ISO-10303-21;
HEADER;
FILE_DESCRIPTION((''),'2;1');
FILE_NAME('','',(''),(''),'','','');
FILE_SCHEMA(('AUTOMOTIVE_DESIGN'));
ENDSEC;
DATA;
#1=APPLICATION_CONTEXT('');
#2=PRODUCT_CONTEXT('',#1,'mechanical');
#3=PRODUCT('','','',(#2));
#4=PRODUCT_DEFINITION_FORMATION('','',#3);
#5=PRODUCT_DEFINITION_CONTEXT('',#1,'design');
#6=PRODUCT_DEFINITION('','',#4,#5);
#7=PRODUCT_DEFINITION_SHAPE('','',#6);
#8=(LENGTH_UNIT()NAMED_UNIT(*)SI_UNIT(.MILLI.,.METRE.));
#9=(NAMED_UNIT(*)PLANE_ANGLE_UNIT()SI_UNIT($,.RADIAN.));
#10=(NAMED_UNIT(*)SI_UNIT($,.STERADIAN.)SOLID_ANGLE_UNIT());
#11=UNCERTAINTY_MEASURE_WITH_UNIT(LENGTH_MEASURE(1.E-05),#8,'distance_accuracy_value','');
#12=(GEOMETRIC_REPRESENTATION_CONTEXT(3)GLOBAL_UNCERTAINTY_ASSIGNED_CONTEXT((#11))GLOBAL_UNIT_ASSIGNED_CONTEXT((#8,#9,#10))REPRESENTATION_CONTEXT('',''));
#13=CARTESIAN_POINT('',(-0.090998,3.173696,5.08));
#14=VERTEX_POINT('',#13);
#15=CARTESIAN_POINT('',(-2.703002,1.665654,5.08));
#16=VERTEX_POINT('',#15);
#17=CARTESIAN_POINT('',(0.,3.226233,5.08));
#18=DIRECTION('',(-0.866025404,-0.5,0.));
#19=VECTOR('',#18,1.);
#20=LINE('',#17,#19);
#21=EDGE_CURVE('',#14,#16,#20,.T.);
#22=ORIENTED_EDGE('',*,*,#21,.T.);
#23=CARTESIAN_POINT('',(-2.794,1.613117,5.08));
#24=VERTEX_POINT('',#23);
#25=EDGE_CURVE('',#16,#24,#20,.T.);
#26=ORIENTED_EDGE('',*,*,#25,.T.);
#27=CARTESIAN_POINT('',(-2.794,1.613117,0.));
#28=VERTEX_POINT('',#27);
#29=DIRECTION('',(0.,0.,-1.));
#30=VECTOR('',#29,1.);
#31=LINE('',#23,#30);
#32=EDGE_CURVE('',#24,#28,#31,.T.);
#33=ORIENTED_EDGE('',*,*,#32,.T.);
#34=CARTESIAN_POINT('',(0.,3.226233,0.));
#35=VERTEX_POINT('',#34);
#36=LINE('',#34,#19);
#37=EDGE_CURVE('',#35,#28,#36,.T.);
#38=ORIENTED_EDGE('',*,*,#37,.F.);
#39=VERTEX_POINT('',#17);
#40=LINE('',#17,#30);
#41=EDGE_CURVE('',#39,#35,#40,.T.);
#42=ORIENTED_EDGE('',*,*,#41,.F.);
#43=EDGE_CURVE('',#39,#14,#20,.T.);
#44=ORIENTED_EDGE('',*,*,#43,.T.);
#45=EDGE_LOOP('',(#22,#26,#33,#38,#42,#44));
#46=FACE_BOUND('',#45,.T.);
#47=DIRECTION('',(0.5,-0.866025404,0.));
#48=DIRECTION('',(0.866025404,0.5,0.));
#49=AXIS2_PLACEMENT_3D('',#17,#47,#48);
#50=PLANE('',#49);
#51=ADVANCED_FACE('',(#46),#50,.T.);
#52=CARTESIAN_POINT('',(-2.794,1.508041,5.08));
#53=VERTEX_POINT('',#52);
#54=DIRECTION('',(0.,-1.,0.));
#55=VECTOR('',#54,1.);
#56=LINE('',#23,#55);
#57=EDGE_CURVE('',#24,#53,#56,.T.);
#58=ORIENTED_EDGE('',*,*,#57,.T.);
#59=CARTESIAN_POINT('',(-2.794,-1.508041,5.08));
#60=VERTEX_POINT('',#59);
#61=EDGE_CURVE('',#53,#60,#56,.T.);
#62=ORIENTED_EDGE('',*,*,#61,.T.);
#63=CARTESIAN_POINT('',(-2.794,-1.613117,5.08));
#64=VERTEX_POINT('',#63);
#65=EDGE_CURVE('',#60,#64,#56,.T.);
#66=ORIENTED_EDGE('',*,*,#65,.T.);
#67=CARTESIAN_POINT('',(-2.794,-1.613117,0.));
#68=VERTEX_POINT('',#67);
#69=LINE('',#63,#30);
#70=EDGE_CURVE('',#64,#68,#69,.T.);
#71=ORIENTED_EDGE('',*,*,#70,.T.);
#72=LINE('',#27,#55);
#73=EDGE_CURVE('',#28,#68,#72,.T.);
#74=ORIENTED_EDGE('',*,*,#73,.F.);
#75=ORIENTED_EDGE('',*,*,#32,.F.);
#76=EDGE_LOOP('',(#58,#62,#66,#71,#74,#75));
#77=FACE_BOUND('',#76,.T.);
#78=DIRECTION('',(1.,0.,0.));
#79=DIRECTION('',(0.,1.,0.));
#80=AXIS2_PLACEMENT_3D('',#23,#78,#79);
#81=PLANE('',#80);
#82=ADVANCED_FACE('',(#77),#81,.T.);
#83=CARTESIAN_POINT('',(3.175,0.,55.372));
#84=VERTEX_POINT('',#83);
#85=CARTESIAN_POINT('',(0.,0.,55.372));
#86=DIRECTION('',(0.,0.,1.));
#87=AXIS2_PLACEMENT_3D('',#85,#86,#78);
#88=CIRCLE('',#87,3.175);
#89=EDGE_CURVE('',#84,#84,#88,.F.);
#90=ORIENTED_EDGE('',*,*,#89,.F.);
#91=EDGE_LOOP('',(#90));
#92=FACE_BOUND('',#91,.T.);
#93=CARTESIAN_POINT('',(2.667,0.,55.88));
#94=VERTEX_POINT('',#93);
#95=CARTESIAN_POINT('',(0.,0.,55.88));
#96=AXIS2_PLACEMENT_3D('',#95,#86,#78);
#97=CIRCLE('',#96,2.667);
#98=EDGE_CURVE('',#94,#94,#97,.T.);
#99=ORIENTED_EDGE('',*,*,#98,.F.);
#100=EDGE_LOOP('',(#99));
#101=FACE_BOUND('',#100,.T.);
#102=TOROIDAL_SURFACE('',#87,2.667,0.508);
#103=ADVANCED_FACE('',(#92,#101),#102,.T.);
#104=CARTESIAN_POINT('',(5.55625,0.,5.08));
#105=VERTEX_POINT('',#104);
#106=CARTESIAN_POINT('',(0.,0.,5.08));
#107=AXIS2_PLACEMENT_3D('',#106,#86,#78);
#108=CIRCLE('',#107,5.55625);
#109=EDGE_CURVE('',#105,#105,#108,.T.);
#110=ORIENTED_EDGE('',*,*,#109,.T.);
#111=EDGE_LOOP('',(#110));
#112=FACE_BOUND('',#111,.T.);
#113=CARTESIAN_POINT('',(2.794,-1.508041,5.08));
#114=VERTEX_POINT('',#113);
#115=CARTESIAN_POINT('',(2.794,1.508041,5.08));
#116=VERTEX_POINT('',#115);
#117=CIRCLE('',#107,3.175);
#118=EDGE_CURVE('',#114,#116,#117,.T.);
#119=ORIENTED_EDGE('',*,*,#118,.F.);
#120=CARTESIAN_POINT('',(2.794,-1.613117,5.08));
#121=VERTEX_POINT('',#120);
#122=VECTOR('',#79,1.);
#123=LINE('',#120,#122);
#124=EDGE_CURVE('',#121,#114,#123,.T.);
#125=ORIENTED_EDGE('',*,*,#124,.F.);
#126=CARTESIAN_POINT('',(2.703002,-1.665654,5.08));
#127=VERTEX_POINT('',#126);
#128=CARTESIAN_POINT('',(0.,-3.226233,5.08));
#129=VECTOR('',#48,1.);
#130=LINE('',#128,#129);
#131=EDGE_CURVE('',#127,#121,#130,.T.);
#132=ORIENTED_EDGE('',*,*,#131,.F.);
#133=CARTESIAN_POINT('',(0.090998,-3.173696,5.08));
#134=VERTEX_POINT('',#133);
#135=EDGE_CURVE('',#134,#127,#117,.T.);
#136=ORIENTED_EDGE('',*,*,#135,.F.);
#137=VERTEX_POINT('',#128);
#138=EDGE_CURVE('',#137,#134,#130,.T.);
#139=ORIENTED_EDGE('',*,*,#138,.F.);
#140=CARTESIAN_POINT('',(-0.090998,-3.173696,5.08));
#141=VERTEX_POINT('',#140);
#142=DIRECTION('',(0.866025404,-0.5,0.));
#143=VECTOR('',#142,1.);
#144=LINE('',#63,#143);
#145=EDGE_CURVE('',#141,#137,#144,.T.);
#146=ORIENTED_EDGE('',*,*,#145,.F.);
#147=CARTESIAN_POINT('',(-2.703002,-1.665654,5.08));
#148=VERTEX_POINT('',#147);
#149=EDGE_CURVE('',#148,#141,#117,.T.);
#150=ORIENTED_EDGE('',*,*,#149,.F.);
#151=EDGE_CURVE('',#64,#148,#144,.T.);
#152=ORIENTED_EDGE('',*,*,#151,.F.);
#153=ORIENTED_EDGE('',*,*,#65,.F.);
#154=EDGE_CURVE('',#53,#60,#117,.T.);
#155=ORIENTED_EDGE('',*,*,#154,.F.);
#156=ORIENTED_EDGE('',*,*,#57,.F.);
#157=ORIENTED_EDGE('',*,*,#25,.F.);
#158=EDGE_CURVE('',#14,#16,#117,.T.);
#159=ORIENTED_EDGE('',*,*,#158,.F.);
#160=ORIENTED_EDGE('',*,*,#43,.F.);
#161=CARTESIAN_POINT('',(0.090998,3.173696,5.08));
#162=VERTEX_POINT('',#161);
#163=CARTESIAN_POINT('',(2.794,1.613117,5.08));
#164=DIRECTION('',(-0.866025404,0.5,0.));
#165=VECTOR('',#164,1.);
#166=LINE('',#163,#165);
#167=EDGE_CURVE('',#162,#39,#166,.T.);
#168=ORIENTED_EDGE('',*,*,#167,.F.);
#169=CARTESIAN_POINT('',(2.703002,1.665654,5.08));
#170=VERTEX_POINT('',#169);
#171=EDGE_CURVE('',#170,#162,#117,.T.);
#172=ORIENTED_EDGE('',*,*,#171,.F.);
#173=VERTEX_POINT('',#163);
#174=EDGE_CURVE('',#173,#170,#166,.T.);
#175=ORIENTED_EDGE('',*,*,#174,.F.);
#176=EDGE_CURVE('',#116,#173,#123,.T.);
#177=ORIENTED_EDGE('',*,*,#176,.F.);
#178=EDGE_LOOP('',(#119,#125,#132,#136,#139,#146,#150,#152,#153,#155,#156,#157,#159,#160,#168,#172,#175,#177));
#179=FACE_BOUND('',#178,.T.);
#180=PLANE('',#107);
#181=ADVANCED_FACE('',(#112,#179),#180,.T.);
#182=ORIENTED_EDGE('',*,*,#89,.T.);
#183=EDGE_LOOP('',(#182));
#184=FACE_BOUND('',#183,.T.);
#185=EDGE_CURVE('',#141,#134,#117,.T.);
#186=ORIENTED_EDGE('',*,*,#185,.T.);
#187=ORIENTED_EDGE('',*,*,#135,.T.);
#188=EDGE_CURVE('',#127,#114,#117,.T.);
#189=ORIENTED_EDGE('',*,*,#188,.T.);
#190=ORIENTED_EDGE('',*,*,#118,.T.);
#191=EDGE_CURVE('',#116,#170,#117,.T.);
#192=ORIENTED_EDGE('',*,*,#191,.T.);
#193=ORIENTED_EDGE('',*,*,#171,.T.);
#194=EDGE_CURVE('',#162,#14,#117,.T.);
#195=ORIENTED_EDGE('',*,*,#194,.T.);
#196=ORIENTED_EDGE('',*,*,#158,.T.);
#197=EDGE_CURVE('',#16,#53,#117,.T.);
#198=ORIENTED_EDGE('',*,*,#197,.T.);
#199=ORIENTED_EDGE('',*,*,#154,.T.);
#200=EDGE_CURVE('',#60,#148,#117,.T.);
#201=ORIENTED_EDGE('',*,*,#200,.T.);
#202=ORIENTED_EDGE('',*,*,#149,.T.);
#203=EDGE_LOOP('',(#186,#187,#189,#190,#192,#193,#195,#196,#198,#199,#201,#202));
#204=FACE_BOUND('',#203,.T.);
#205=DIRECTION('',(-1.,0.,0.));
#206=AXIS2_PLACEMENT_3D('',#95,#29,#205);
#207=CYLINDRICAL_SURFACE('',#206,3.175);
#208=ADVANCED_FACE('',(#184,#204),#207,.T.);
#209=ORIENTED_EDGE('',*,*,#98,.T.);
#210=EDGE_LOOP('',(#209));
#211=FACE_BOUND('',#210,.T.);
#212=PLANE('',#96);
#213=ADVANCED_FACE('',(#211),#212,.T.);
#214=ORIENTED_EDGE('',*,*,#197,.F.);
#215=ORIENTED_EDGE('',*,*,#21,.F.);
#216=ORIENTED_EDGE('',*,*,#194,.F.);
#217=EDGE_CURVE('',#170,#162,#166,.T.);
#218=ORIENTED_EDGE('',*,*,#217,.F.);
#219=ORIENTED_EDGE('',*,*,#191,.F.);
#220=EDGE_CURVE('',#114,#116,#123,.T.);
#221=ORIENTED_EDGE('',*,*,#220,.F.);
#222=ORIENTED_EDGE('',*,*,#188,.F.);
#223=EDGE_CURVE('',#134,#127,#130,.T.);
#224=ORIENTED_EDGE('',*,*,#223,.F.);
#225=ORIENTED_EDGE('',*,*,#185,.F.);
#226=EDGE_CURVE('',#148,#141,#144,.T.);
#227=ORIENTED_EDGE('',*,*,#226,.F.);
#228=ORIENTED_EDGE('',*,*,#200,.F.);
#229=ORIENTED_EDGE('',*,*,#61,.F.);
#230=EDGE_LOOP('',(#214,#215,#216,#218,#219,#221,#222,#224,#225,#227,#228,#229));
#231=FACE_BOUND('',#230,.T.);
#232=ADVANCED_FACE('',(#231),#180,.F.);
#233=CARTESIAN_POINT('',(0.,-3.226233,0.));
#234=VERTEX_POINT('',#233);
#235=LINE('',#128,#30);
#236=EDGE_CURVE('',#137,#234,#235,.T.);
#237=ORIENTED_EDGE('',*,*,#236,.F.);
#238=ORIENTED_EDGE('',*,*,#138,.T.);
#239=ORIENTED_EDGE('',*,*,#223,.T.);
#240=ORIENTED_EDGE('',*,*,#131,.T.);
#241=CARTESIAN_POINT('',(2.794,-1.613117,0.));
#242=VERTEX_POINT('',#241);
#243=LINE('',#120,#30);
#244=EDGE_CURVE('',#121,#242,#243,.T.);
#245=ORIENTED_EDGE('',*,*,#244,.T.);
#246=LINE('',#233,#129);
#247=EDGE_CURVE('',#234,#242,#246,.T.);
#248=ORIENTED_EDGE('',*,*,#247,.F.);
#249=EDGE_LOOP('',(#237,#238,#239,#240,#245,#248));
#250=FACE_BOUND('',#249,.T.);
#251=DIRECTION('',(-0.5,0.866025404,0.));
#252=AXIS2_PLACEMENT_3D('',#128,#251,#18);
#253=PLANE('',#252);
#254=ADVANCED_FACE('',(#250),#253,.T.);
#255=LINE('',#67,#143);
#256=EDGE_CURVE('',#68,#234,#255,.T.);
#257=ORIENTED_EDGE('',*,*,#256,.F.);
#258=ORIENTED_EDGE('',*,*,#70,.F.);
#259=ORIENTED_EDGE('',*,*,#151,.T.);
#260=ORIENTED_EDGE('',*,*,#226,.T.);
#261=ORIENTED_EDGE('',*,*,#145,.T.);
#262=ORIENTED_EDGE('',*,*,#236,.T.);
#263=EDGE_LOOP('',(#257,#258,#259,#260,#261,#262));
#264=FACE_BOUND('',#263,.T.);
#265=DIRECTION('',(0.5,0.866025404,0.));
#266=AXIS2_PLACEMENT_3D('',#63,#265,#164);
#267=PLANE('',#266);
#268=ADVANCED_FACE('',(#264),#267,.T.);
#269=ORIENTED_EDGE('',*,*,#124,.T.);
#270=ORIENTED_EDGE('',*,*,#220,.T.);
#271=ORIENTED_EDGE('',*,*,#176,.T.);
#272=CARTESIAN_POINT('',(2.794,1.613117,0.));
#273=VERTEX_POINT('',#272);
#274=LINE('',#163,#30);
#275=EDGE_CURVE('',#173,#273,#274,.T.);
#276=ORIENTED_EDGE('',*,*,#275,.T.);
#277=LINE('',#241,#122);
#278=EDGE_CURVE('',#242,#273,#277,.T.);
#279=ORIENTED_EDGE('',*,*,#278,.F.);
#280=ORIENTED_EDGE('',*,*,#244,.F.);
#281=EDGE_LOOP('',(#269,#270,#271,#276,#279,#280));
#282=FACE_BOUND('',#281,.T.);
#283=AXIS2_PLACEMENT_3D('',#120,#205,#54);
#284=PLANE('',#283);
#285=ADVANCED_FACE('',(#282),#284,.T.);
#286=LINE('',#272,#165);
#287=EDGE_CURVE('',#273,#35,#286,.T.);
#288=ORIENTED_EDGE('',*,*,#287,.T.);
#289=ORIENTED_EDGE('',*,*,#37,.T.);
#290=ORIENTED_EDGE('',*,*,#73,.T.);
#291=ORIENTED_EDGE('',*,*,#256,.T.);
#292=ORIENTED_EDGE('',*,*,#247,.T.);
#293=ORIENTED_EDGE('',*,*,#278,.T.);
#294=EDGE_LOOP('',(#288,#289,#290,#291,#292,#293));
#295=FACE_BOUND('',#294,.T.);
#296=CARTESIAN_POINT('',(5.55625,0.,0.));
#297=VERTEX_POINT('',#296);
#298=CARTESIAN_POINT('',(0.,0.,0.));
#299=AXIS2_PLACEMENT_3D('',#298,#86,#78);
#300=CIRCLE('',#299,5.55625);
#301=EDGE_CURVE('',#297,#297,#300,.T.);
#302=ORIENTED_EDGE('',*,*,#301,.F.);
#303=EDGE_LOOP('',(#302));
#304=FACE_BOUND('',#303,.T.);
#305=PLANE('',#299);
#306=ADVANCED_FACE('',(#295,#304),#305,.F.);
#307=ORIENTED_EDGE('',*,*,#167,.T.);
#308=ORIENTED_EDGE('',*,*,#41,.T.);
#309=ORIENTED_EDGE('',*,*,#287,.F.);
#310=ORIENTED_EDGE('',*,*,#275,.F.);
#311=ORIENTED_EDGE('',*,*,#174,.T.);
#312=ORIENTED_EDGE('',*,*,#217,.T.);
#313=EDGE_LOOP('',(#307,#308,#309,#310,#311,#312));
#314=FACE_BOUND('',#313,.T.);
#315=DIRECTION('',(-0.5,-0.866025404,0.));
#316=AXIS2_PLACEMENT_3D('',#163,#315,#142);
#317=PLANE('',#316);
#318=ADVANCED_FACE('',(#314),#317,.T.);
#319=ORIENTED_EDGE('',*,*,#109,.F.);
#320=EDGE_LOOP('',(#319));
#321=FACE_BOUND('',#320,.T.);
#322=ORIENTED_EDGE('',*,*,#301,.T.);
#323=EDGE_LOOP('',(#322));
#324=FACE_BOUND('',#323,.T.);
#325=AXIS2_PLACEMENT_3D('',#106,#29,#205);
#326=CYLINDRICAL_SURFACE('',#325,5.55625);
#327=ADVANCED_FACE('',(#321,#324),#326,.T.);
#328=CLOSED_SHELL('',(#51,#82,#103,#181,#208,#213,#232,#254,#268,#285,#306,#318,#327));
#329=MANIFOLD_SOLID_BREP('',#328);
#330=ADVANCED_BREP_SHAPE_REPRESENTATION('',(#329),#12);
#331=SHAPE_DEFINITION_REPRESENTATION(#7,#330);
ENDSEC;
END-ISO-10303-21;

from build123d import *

# Parameters (mm, degrees)
SKETCH1_R           = 5.55625
BOSS_EXTRUDE1_DEPTH = 5.08
SKETCH2_R           = 3.175
BOSS_EXTRUDE2_DEPTH = 50.8
FILLET1_R           = 0.508


with BuildPart() as part:
    # Sketch1 → Boss-Extrude1 (new body)
    with BuildSketch(Plane.XY):
        Circle(SKETCH1_R)
        Polygon((2.794, 1.613116652), (0, 3.226233304), (-2.794, 1.613116652), (-2.794, -1.613116652), (0, -3.226233304), (2.794, -1.613116652), align=None, mode=Mode.SUBTRACT)
    extrude(amount=BOSS_EXTRUDE1_DEPTH)

    # Sketch2 → Boss-Extrude2 (add)
    with BuildSketch(Plane.XY.offset(5.08)):
        Circle(SKETCH2_R)
    extrude(amount=BOSS_EXTRUDE2_DEPTH)

    # Fillet1
    fillet1_edges = [part.edges().sort_by_distance(p)[0] for p in [
        (-3.175, 0, 55.88),
    ]]
    fillet(fillet1_edges, radius=FILLET1_R)


solid = part.part
